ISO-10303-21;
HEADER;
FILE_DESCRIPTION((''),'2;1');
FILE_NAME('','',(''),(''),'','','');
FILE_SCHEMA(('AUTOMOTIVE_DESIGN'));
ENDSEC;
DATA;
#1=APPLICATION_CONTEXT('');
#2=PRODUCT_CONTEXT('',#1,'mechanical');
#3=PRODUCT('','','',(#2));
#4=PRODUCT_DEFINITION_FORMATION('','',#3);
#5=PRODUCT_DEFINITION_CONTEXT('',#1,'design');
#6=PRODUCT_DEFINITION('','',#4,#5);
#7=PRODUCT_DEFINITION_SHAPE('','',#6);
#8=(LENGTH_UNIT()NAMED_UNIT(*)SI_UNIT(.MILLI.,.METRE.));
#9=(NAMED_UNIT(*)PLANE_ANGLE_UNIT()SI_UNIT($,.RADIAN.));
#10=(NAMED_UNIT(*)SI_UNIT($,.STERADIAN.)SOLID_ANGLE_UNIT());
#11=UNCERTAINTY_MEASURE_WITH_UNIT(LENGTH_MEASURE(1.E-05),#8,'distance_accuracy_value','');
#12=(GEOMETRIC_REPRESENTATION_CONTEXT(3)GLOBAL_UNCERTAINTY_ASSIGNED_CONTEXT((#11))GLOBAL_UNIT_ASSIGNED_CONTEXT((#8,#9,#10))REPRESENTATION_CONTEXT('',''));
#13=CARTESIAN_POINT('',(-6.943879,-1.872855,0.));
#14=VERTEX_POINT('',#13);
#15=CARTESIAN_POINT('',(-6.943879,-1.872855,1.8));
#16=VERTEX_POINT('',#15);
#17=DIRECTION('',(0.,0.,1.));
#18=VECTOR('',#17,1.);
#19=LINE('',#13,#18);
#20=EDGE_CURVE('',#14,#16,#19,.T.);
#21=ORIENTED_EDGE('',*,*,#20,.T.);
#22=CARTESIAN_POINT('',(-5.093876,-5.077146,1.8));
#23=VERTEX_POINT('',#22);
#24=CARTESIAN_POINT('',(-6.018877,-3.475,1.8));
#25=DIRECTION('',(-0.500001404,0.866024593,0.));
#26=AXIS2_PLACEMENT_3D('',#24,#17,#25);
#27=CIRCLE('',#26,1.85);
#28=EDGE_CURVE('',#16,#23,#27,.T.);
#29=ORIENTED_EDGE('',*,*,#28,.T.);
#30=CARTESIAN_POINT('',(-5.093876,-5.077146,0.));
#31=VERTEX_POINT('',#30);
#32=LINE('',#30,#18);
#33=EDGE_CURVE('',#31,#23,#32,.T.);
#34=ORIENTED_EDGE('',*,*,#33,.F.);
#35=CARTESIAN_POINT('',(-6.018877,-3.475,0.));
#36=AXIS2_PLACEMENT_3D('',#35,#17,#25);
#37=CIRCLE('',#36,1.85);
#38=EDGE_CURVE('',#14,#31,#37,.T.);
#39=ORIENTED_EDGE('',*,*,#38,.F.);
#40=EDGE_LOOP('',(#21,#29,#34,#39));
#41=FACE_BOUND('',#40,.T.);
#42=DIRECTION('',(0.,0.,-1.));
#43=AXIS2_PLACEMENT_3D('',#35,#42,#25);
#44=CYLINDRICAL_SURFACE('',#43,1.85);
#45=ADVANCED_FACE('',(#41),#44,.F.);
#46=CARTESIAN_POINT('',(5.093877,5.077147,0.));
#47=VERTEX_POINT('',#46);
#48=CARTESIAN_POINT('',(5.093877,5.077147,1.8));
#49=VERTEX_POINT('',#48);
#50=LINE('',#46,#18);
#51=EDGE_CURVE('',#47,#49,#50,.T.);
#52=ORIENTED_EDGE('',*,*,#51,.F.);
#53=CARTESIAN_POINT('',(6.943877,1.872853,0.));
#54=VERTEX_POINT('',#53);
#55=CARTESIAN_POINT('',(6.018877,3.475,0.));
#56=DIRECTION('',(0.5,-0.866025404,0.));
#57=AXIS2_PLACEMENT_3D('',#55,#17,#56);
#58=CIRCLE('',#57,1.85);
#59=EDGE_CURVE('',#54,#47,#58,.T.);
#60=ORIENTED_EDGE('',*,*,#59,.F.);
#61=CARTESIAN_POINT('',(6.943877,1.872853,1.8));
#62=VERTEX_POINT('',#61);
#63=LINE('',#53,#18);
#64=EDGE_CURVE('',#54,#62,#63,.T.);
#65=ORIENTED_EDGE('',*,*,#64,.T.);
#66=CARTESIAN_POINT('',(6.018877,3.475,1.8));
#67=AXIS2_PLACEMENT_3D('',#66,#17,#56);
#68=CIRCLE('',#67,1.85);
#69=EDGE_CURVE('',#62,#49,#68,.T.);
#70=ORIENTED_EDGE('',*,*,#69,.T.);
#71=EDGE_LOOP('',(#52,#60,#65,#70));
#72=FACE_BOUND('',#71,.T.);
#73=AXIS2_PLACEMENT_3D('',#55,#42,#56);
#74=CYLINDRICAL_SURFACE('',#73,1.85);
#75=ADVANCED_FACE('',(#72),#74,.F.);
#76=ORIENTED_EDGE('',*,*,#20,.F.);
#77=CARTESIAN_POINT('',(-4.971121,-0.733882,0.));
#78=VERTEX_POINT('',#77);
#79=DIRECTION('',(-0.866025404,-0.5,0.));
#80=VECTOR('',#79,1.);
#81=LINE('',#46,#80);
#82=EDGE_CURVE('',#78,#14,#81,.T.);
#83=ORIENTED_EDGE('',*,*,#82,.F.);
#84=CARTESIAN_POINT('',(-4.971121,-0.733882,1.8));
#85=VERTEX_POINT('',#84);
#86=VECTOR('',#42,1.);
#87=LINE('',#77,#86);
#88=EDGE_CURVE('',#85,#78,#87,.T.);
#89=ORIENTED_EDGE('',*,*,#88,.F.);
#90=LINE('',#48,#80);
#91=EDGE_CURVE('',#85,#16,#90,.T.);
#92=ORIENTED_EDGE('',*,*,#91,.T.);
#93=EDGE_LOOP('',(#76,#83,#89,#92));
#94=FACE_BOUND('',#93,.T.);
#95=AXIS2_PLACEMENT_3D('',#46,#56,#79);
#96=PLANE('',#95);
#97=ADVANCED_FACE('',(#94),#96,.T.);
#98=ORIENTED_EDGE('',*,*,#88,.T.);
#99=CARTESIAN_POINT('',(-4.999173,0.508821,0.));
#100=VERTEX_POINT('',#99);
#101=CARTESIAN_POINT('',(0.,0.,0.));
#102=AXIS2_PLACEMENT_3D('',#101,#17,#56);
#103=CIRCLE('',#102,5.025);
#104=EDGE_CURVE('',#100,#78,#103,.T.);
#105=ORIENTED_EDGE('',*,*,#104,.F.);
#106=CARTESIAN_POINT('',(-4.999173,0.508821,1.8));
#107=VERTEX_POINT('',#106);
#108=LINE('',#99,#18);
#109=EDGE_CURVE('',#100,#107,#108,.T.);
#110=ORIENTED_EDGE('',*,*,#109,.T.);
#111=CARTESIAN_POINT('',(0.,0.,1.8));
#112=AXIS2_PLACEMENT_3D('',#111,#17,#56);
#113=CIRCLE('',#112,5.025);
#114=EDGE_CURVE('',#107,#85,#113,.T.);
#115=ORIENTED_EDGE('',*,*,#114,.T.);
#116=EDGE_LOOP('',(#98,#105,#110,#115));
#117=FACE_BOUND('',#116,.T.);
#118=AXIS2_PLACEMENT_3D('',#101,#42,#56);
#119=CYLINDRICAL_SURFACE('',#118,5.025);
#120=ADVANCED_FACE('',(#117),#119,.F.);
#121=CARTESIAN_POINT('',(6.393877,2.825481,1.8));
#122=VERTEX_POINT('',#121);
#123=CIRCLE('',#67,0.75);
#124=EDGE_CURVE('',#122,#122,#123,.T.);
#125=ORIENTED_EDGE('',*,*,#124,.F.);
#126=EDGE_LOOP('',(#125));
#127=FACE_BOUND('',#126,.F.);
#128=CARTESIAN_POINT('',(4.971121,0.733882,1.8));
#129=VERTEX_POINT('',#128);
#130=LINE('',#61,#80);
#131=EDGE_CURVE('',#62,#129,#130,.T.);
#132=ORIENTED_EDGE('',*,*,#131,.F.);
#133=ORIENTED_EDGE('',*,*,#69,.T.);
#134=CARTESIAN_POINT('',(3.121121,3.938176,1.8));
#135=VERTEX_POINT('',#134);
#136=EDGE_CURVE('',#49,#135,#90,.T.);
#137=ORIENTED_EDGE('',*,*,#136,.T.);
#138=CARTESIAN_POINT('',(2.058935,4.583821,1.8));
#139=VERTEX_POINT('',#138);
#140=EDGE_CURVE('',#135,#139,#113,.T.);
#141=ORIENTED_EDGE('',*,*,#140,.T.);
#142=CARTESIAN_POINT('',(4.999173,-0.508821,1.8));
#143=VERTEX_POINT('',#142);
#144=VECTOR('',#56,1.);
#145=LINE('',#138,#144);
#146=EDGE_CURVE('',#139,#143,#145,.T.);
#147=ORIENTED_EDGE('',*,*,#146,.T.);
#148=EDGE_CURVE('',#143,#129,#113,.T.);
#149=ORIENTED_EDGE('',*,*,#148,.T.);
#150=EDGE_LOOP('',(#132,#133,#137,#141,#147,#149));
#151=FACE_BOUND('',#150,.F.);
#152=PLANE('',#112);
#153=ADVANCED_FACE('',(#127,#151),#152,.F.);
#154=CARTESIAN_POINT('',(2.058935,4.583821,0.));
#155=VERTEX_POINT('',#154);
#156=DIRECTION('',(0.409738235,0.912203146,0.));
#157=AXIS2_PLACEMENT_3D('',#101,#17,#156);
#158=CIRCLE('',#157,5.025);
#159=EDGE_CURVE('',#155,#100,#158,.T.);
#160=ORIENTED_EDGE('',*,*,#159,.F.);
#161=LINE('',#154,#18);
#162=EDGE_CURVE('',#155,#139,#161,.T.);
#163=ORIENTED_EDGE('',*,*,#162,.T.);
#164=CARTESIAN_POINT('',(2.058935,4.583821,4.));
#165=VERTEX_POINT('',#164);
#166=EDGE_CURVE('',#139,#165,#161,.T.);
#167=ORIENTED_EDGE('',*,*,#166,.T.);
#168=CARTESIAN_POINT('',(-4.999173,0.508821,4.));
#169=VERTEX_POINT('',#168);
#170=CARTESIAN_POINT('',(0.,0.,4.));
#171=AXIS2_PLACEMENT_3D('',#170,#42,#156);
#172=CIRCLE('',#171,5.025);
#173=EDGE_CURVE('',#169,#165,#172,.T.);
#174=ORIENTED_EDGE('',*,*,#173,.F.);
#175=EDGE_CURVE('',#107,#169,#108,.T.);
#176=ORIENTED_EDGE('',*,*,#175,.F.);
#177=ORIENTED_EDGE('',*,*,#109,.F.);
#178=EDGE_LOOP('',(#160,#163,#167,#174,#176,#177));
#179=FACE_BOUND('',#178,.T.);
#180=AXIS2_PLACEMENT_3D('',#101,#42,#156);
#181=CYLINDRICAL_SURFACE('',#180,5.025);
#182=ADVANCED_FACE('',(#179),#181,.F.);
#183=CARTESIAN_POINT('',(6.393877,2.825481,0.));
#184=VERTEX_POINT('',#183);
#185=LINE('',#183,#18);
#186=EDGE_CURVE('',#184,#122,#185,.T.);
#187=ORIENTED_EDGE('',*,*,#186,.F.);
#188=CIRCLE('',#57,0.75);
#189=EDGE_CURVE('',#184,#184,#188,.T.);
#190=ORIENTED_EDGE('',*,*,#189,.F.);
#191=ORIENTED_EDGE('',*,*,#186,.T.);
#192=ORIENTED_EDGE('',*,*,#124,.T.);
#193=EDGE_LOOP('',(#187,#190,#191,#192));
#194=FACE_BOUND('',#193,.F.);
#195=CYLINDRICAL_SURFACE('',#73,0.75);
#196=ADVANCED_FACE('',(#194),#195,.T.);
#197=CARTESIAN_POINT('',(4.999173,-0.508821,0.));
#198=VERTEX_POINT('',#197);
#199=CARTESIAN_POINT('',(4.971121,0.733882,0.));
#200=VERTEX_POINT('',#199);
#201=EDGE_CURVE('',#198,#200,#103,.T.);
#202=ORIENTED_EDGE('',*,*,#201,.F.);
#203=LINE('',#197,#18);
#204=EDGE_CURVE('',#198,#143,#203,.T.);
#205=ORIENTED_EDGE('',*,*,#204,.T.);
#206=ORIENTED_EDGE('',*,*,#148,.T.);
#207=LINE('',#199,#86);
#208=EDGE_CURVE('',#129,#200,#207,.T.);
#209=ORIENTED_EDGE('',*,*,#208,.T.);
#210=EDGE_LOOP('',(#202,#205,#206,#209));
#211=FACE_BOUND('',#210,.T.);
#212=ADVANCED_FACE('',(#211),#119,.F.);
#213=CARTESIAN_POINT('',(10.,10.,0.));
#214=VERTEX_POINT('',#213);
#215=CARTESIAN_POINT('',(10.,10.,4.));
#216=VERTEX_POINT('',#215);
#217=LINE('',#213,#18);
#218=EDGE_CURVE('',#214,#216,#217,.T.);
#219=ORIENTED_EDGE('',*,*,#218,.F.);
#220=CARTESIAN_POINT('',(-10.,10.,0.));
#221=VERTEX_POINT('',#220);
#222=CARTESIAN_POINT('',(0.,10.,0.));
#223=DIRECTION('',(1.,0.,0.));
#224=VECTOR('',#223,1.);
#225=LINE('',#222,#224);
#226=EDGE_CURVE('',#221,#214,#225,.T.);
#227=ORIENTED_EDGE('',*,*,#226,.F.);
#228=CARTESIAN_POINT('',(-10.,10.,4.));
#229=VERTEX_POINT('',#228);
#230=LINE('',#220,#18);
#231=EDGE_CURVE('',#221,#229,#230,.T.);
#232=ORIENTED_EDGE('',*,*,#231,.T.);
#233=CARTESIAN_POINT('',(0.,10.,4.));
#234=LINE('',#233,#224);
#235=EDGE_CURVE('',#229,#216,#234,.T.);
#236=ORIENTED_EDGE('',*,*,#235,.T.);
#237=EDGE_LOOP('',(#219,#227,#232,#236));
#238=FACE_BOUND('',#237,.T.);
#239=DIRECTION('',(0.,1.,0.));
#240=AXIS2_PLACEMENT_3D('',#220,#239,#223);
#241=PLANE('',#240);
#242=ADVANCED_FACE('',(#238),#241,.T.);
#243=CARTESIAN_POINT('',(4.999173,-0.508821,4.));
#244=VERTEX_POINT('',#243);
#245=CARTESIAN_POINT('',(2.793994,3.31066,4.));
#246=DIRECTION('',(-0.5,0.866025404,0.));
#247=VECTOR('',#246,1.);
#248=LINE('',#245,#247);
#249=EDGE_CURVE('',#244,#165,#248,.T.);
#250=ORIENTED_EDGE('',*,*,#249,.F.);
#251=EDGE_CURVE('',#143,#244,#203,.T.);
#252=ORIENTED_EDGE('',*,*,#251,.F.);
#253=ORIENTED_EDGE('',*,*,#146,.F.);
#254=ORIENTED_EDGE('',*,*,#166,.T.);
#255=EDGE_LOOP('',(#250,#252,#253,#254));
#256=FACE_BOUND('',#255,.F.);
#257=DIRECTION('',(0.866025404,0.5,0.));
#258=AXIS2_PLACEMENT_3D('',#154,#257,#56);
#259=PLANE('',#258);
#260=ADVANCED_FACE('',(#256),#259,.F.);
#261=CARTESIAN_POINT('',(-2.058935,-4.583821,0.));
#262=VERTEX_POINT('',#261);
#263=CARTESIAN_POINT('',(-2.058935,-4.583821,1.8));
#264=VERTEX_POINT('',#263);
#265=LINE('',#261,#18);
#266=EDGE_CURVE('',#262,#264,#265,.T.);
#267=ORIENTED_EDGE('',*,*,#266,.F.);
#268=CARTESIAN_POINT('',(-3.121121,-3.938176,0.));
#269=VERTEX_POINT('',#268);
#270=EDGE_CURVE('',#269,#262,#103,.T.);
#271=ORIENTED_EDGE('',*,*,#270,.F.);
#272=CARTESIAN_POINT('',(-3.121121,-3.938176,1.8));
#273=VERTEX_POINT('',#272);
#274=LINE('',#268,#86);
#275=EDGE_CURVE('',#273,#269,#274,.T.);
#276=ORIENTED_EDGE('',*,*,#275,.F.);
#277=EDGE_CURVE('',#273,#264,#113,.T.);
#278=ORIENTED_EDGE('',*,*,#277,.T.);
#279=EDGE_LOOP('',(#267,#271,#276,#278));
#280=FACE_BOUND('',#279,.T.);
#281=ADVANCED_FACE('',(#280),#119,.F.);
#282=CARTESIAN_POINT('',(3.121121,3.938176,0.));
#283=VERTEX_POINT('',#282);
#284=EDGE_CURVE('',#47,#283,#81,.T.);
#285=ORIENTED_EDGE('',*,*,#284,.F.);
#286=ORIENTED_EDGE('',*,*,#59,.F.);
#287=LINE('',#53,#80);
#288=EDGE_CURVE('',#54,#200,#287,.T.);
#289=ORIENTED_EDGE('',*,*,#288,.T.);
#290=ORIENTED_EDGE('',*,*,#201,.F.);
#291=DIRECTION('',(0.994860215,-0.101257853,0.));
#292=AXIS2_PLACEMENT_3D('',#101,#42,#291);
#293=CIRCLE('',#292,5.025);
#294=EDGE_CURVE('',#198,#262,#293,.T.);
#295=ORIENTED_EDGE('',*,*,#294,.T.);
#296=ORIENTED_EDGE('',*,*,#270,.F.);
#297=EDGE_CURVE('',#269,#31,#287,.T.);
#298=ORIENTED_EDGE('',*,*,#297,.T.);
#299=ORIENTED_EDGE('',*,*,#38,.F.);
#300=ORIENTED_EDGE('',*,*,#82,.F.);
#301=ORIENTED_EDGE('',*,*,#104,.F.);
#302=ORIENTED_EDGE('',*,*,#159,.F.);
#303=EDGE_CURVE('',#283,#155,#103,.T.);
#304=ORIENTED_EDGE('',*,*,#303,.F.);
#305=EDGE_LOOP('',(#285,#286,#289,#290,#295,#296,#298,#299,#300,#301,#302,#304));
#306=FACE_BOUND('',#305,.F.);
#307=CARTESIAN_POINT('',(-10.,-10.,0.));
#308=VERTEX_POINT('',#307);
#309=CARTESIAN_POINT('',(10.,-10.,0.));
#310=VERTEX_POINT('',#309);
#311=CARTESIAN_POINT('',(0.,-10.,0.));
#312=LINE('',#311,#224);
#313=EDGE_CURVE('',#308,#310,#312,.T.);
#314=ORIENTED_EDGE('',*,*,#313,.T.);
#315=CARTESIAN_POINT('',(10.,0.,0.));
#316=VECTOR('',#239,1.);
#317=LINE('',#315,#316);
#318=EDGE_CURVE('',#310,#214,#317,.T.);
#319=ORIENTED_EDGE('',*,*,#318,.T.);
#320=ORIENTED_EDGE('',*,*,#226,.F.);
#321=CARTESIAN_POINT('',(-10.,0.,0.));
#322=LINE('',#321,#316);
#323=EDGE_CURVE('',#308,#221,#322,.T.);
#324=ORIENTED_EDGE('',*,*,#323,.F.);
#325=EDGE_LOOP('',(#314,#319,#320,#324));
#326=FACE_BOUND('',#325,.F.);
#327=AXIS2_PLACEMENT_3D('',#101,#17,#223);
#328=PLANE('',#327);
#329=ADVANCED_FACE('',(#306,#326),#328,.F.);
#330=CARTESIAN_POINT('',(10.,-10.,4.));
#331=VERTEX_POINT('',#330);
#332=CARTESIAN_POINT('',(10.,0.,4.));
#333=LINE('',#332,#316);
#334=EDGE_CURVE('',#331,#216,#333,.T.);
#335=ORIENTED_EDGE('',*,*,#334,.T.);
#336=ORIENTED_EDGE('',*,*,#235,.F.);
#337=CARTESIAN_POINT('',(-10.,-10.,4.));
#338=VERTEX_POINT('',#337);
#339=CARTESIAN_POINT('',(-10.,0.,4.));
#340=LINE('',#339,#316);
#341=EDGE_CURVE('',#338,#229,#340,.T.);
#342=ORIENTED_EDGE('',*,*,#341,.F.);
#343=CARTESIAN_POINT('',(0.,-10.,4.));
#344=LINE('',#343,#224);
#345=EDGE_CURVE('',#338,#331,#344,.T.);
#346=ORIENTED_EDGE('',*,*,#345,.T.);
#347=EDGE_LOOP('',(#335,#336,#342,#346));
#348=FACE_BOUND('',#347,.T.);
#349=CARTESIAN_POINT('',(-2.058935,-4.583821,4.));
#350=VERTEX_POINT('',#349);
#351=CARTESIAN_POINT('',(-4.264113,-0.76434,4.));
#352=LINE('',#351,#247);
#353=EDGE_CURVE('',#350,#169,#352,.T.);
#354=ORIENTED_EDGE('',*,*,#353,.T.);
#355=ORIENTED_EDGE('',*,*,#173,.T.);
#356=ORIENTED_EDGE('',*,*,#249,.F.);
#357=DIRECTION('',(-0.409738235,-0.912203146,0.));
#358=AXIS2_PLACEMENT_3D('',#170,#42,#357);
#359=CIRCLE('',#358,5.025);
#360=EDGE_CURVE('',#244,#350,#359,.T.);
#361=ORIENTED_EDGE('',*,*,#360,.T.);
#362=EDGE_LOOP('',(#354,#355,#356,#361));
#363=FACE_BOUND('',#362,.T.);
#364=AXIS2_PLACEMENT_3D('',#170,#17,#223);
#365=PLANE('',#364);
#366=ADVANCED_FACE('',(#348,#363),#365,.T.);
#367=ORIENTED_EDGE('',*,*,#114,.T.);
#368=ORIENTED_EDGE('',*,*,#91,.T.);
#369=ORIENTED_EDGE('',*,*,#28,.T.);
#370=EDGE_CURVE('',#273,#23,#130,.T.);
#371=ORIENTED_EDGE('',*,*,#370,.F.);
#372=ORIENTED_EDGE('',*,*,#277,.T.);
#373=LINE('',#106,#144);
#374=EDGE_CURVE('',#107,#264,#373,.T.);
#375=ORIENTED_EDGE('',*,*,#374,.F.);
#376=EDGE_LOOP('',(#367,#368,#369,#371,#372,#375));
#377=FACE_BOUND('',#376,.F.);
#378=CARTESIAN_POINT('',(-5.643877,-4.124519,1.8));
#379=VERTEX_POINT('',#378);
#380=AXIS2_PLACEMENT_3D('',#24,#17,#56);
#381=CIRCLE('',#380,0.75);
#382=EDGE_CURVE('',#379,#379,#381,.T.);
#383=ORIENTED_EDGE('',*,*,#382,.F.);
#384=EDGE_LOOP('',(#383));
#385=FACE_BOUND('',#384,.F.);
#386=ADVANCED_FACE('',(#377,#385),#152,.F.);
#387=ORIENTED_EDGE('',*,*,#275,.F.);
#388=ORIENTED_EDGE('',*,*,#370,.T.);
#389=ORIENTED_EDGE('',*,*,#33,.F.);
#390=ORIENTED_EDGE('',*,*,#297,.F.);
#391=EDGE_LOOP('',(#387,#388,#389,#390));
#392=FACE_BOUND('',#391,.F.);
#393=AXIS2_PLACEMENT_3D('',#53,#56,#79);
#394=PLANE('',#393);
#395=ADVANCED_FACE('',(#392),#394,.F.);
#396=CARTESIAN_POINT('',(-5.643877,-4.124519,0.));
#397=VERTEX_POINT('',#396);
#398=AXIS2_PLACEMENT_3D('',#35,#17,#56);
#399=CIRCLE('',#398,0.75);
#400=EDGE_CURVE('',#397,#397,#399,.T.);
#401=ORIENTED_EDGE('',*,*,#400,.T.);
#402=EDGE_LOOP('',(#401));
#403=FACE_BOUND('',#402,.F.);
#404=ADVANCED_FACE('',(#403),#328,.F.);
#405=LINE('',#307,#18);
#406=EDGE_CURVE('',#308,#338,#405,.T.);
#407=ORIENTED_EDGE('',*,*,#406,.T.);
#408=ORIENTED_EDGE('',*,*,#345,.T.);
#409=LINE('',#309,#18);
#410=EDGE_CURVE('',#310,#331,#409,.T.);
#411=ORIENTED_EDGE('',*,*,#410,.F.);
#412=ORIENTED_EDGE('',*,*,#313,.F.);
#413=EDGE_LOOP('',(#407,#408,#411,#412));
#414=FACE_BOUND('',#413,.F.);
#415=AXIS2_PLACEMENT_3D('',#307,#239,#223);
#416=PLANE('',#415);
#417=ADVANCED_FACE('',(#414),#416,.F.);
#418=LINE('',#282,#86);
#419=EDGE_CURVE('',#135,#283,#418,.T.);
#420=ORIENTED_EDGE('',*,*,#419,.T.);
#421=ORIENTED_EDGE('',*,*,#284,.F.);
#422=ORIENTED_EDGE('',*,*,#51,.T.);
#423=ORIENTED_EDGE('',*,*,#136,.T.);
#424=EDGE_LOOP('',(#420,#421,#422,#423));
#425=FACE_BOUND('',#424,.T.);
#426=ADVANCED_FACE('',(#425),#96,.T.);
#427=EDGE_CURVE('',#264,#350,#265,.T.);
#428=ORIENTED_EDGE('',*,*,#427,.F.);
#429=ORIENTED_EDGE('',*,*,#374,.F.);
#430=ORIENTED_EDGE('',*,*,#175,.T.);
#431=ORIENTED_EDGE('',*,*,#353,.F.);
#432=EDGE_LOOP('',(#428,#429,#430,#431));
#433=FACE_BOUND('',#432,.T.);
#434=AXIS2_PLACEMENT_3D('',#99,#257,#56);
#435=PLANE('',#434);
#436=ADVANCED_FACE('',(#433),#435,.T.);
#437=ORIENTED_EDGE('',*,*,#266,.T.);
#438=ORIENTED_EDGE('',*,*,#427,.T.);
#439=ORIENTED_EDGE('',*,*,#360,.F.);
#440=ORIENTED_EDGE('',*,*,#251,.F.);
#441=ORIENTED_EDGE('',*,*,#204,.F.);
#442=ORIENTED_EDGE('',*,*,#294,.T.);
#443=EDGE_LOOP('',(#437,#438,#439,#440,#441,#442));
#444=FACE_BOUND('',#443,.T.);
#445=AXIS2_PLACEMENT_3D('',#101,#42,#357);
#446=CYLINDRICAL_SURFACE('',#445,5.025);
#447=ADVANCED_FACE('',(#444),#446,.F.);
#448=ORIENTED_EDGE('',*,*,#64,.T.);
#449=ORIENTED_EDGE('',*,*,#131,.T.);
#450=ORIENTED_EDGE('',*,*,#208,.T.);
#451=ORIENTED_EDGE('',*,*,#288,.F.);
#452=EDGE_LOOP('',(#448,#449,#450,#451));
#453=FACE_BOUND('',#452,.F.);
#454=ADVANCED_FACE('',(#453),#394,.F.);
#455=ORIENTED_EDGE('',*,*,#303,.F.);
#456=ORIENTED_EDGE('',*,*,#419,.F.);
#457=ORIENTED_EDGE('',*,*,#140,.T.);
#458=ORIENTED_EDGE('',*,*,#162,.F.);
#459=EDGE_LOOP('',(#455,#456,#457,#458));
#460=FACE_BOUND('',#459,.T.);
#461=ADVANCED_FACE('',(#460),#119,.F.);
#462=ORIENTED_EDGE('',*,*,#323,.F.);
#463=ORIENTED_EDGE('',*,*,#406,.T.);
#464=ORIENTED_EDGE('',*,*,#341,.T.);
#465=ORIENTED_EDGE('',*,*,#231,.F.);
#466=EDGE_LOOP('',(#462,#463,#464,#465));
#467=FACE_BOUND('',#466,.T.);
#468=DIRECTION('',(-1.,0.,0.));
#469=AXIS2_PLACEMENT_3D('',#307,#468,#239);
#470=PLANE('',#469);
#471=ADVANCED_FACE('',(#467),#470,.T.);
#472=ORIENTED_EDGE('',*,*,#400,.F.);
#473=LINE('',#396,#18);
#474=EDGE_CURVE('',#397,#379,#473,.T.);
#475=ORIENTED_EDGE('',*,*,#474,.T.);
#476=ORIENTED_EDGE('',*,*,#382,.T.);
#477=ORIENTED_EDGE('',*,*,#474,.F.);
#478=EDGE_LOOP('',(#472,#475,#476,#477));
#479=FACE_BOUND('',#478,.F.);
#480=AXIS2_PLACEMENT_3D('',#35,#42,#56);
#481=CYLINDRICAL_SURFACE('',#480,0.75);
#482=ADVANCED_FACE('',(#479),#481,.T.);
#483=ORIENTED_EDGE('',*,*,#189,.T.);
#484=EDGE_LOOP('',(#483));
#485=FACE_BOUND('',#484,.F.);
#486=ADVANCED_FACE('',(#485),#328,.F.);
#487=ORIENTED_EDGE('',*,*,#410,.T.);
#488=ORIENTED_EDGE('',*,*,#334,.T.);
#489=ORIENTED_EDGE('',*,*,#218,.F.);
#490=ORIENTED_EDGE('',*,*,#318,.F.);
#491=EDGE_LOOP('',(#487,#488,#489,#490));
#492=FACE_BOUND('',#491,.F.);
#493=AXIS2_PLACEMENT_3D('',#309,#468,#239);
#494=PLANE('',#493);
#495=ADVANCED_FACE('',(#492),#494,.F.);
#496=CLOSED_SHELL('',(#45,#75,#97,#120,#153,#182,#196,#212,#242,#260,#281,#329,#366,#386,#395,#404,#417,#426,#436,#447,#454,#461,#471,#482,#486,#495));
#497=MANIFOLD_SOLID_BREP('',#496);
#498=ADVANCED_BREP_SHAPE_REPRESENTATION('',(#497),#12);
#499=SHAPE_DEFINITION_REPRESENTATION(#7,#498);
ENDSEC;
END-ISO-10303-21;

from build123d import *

# Parameters (mm, degrees)
PAD_DEPTH            = 18
SKETCH002_R          = 0.75
PAD001_DEPTH         = 1.8
CYLINDER_R           = 5.025
CYLINDER_DEPTH       = 1.8
BODY_PLACEMENT_ANGLE = 60
BOX_W                = 20
BOX_H                = 20
BOX_DEPTH            = 4


with BuildPart() as motorbody:
    # Sketch001 → Pad (new body)
    with BuildSketch(Plane.XY):
        with BuildLine():
            ThreePointArc((-2.940238, 4.075), (-5.025, 0), (-2.940238, -4.075))
            Line((-2.940238, -4.075), (2.940238, -4.075))
            ThreePointArc((2.940238, -4.075), (5.025, 0), (2.940238, 4.075))
            Line((-2.940238, 4.075), (2.940238, 4.075))
        make_face()
    extrude(amount=PAD_DEPTH)

    # Sketch002 → Pad001 (join)
    with BuildSketch(Plane.XY):
        with BuildLine():
            ThreePointArc((1.85, 6.95), (0, 8.8), (-1.85, 6.95))
            Line((-1.85, 6.95), (-1.85, -6.950003))
            ThreePointArc((-1.85, -6.950003), (2e-06, -8.8), (1.85, -6.949999))
            Line((1.85, 6.95), (1.85, -6.949999))
        make_face()
        with Locations((0, 6.95)):
            Circle(SKETCH002_R, mode=Mode.SUBTRACT)
        with Locations((0, -6.95)):
            Circle(SKETCH002_R, mode=Mode.SUBTRACT)
    extrude(amount=PAD001_DEPTH)

    # Cylinder → Cylinder (join)
    with BuildSketch(Plane.XY):
        Circle(CYLINDER_R)
    extrude(amount=CYLINDER_DEPTH)


with BuildPart() as motorbody_1:
    # Body placement: moved
    add(motorbody.part.rotate(Axis((0, 0, 0), (0, 0, -1)), BODY_PLACEMENT_ANGLE))


with BuildPart() as motortestholder:
    # Box → Box (new body)
    with BuildSketch(Plane(origin=(-10, -10, 0), x_dir=(1, 0, 0), z_dir=(0, 0, 1))):
        with Locations((10, 10)):
            Rectangle(BOX_W, BOX_H)
    extrude(amount=BOX_DEPTH)

    # Cut: cut MotorBody
    add(motorbody_1.part, mode=Mode.SUBTRACT)


solid = motortestholder.part
